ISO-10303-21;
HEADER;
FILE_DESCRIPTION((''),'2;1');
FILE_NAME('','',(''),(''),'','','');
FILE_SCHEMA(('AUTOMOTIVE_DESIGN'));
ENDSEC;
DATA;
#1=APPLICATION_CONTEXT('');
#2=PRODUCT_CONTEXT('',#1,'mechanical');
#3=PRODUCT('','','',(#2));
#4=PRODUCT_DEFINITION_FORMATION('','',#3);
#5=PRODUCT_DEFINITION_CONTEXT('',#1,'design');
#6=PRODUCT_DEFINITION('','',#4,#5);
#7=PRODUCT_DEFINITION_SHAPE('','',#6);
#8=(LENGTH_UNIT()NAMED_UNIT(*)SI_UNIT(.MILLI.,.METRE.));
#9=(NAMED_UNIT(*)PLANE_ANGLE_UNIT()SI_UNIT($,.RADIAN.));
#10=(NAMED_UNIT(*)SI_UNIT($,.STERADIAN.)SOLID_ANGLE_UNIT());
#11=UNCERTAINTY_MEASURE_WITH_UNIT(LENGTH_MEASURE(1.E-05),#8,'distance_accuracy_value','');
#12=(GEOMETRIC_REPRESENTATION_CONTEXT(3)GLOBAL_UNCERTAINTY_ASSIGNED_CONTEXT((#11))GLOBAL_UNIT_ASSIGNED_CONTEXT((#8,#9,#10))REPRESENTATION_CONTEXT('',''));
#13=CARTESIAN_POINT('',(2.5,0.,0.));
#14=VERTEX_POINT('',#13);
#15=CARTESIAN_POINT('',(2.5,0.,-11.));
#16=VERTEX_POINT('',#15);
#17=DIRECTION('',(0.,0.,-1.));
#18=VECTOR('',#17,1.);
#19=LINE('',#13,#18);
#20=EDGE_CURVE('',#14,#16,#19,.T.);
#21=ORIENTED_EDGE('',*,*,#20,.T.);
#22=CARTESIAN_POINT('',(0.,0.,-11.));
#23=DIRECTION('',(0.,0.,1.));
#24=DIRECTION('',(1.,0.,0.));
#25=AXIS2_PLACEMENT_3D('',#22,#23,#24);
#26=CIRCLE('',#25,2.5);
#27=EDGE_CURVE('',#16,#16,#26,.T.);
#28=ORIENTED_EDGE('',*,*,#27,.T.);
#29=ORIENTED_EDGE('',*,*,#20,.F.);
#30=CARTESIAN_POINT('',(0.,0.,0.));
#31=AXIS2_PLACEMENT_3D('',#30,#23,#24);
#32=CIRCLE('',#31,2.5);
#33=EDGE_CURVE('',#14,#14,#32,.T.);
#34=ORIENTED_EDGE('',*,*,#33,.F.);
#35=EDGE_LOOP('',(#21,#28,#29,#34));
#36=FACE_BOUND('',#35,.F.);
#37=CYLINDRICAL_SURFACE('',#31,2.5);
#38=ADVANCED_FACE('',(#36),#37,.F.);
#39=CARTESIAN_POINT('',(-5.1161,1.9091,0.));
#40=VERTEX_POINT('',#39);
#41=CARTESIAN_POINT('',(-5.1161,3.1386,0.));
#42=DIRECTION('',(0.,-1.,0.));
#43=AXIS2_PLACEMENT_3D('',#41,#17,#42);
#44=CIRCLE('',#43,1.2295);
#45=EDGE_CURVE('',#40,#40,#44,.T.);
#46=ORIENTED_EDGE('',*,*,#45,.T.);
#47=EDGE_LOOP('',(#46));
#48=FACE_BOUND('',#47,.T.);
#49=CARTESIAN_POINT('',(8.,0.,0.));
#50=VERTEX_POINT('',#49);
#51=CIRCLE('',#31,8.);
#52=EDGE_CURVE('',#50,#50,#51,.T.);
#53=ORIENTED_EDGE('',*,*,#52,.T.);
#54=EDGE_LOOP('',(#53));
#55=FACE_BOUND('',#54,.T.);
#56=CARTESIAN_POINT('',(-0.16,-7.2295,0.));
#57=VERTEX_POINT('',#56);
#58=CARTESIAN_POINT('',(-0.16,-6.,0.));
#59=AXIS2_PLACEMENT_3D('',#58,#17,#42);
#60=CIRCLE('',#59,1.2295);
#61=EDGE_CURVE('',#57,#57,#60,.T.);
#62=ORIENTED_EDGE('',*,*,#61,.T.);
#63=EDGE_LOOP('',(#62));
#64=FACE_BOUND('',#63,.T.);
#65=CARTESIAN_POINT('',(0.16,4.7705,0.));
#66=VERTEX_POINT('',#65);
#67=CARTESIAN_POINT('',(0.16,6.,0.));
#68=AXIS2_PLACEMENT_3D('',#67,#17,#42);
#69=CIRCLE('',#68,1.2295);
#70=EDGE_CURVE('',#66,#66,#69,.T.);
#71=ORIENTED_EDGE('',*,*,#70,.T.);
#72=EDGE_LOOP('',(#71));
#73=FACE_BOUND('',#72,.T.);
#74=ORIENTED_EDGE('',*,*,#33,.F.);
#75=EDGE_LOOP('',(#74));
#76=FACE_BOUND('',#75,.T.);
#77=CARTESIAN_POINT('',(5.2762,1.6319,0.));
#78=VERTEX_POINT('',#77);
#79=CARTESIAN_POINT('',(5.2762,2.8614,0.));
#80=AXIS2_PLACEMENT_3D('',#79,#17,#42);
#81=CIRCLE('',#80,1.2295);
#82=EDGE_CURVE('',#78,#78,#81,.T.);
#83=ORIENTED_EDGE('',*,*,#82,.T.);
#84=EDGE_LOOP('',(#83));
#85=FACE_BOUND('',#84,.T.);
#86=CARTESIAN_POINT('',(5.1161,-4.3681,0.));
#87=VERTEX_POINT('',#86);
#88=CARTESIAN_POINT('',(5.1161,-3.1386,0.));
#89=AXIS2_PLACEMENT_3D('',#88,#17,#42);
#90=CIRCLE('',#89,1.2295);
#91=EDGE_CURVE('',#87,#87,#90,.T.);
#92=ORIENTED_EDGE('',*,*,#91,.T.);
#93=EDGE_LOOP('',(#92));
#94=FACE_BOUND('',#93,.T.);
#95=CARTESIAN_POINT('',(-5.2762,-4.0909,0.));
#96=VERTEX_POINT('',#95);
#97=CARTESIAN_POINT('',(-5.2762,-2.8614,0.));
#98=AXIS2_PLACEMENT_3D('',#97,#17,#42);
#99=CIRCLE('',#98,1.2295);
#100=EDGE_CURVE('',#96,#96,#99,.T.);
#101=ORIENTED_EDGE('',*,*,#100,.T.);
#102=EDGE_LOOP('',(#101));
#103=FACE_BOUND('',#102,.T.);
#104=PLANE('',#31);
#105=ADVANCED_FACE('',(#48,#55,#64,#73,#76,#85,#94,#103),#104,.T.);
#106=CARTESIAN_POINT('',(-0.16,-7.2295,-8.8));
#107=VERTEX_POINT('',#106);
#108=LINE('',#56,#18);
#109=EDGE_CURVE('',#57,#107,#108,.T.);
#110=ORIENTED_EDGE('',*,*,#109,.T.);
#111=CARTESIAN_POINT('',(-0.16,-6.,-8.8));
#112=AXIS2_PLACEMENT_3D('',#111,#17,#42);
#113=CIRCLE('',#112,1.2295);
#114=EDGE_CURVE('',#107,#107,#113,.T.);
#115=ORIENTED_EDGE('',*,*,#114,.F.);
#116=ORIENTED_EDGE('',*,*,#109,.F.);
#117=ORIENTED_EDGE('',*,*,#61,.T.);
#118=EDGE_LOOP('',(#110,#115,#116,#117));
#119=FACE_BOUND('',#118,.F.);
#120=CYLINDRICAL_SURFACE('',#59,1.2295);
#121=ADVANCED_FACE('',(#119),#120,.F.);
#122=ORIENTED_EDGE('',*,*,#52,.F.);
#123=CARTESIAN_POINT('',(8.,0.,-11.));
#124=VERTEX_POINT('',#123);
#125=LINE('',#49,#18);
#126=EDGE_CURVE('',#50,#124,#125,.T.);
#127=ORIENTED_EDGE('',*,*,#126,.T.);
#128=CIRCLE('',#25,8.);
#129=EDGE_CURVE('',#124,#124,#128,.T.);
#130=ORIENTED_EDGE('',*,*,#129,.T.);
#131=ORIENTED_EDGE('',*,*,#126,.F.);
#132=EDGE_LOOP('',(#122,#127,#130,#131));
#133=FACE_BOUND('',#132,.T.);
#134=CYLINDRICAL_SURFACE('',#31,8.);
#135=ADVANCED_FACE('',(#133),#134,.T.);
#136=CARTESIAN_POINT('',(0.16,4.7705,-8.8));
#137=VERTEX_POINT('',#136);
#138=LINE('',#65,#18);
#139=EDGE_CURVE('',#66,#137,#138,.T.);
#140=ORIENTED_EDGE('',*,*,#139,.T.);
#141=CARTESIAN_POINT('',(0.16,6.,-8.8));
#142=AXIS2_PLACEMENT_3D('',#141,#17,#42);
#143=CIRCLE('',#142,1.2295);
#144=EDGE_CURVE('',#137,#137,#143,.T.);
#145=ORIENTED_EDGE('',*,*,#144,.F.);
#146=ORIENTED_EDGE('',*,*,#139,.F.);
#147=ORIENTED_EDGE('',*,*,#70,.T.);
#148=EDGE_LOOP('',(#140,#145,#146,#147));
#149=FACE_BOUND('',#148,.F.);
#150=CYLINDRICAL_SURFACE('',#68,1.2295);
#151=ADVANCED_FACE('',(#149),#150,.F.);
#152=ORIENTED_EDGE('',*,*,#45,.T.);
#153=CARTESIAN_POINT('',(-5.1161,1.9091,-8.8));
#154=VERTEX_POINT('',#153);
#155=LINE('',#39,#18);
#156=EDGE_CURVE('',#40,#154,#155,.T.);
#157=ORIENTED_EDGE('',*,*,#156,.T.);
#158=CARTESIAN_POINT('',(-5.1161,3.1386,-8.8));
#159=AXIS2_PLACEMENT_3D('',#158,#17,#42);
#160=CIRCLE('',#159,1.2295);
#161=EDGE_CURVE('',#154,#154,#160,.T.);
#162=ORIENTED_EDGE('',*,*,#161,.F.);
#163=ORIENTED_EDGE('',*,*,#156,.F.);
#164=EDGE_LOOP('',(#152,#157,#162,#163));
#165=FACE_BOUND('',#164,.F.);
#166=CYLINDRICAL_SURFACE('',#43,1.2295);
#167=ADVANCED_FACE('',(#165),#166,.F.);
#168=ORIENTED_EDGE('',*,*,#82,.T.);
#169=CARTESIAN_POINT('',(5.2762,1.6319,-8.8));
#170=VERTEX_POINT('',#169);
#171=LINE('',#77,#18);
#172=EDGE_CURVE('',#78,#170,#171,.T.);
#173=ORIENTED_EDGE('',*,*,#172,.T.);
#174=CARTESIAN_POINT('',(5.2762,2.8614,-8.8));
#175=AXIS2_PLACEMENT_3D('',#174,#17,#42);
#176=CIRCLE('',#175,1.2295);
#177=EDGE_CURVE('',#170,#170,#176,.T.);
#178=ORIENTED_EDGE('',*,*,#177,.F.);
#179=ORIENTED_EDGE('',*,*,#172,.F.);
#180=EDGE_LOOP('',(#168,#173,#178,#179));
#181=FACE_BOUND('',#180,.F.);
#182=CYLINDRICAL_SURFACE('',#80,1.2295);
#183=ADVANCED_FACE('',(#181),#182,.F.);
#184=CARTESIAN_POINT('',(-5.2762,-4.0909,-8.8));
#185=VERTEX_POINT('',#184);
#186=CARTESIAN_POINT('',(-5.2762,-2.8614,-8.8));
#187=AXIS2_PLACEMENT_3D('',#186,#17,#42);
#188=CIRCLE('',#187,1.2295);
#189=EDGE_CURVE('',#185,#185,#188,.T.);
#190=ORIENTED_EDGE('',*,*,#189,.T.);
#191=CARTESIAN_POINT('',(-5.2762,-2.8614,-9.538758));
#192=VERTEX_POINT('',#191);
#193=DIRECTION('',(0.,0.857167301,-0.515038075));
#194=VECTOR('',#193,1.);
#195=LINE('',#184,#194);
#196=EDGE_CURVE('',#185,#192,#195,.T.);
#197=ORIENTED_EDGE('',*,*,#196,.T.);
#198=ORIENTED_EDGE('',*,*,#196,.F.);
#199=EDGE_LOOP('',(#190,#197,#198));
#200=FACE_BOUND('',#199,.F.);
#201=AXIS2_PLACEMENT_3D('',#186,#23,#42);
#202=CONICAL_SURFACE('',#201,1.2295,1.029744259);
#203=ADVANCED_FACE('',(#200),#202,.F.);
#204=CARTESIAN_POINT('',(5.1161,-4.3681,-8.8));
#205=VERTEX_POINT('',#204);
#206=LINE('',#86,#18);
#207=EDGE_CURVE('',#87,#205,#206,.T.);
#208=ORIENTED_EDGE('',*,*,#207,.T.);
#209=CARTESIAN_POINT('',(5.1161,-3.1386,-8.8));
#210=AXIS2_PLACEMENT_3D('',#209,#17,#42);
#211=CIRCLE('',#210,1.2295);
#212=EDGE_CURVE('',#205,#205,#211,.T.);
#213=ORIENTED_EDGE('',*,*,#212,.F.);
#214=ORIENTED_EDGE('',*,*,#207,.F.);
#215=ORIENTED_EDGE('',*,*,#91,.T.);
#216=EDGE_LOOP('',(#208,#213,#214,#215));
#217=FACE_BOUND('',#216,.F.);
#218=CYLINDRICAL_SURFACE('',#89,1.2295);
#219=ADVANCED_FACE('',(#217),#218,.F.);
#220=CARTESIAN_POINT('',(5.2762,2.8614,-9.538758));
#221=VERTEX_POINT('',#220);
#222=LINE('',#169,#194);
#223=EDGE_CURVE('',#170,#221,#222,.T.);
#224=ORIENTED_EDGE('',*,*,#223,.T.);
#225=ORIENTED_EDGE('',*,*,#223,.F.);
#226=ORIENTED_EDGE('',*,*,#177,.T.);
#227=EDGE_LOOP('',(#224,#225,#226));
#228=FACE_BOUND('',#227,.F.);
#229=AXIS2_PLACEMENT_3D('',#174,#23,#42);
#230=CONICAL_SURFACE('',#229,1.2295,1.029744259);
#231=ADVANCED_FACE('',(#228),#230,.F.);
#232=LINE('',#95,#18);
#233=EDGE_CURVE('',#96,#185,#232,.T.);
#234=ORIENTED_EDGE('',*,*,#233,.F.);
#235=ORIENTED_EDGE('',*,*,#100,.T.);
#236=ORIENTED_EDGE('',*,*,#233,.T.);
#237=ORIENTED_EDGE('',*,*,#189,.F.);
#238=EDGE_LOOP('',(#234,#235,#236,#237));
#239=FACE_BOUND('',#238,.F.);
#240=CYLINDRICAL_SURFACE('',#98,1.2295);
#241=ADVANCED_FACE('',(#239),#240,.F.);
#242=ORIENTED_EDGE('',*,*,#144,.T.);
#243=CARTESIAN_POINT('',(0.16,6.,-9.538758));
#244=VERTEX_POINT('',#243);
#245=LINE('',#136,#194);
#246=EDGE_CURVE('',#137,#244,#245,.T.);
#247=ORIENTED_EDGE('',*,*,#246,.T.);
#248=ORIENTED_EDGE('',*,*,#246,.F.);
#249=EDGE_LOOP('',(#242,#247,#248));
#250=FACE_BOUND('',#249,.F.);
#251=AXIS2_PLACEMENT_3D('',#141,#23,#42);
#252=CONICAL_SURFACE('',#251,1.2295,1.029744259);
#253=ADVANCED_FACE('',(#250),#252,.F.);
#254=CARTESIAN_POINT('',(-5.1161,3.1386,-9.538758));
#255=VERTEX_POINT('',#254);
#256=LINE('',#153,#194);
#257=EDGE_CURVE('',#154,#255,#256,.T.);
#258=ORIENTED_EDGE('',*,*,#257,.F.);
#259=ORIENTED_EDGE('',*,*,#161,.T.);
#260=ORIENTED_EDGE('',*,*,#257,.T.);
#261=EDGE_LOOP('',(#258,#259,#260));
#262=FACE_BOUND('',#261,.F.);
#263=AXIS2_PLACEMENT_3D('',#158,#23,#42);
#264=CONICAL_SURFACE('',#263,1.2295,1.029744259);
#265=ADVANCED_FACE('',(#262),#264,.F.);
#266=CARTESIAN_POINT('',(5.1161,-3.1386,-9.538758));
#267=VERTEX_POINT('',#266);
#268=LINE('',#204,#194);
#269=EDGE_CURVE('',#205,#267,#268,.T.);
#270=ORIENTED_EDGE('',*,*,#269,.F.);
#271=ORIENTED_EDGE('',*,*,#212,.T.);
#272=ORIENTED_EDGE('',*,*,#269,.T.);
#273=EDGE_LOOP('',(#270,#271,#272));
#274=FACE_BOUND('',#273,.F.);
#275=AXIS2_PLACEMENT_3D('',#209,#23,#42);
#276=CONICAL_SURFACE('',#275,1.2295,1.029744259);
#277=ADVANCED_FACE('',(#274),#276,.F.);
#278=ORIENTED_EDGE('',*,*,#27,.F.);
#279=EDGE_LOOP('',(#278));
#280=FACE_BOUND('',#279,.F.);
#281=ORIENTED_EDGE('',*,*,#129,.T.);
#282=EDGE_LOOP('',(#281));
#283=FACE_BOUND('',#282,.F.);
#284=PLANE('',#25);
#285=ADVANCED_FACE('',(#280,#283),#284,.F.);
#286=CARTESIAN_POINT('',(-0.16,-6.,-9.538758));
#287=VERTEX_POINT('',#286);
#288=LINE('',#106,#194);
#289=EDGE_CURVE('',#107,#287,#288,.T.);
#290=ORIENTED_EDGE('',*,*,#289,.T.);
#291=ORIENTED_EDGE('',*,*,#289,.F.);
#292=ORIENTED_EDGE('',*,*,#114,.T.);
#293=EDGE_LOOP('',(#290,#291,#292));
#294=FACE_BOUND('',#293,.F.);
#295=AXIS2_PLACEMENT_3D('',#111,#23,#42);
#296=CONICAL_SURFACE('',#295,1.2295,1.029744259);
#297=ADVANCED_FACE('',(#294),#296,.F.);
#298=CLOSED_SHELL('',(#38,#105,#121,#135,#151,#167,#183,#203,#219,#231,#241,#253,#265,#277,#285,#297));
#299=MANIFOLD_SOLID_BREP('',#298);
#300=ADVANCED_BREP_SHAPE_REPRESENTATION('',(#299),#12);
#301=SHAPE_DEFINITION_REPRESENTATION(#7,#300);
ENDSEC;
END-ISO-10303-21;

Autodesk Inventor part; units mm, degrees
ref_plane "YZ Plane" through (0, 0, 0) normal (1, 0, 0) x (0, 1, 0)
ref_plane "XZ Plane" through (0, 0, 0) normal (0, 1, 0) x (-1, 0, 0)
ref_plane "XY Plane" through (0, 0, 0) normal (0, 0, 1) x (1, 0, 0)
sketch "Esquisse1" plane through (0, 0, 0) normal (0, 0, 1) x (1, 0, 0)
  circle A0 centre (0, 0) radius 8
  circle A1 centre (0, 0) radius 2.5
  point P0 (0.1533, 6)
  point P1 (-5.1195, 3.1328)
  point P2 (-5.2728, -2.8672)
  point P3 (-0.1533, -6)
  point P4 (5.1195, -3.1328)
  point P5 (5.2728, 2.8672)
  dimension "d0" = 5
  dimension "d1" = 16
  dimension "d2" = 6
  dimension "d5" = 360
extrude "Extrusion1" add sketch "Esquisse1" against normal blind 11
sketch "Esquisse2" plane through (0, 0, 0) normal (0, 0, 1) x (1, 0, 0)
  circle A0 centre (0, 0) radius 8 projected
  point P0 (0.16, 6)
  point P1 (-5.1161, 3.1386)
  point P2 (-5.2762, -2.8614)
  point P3 (-0.16, -6)
  point P4 (5.1161, -3.1386)
  point P5 (5.2762, 2.8614)
  dimension "d9" = 6
  dimension "d12" = 360
hole "Perçage1" at (0.16, 6, 0) at (-5.1161, 3.1386, 0) at (-5.2762, -2.8614, 0) at (-0.16, -6, 0) at (5.1161, -3.1386, 0) at (5.2762, 2.8614, 0) direction (0, 0, -1) diameter 2.459 depth 8.8 tip angle 118 thread size "M3x0.5" class "6H" standard "ISO Metric profile"
properties part number "moyeux_expansible"
